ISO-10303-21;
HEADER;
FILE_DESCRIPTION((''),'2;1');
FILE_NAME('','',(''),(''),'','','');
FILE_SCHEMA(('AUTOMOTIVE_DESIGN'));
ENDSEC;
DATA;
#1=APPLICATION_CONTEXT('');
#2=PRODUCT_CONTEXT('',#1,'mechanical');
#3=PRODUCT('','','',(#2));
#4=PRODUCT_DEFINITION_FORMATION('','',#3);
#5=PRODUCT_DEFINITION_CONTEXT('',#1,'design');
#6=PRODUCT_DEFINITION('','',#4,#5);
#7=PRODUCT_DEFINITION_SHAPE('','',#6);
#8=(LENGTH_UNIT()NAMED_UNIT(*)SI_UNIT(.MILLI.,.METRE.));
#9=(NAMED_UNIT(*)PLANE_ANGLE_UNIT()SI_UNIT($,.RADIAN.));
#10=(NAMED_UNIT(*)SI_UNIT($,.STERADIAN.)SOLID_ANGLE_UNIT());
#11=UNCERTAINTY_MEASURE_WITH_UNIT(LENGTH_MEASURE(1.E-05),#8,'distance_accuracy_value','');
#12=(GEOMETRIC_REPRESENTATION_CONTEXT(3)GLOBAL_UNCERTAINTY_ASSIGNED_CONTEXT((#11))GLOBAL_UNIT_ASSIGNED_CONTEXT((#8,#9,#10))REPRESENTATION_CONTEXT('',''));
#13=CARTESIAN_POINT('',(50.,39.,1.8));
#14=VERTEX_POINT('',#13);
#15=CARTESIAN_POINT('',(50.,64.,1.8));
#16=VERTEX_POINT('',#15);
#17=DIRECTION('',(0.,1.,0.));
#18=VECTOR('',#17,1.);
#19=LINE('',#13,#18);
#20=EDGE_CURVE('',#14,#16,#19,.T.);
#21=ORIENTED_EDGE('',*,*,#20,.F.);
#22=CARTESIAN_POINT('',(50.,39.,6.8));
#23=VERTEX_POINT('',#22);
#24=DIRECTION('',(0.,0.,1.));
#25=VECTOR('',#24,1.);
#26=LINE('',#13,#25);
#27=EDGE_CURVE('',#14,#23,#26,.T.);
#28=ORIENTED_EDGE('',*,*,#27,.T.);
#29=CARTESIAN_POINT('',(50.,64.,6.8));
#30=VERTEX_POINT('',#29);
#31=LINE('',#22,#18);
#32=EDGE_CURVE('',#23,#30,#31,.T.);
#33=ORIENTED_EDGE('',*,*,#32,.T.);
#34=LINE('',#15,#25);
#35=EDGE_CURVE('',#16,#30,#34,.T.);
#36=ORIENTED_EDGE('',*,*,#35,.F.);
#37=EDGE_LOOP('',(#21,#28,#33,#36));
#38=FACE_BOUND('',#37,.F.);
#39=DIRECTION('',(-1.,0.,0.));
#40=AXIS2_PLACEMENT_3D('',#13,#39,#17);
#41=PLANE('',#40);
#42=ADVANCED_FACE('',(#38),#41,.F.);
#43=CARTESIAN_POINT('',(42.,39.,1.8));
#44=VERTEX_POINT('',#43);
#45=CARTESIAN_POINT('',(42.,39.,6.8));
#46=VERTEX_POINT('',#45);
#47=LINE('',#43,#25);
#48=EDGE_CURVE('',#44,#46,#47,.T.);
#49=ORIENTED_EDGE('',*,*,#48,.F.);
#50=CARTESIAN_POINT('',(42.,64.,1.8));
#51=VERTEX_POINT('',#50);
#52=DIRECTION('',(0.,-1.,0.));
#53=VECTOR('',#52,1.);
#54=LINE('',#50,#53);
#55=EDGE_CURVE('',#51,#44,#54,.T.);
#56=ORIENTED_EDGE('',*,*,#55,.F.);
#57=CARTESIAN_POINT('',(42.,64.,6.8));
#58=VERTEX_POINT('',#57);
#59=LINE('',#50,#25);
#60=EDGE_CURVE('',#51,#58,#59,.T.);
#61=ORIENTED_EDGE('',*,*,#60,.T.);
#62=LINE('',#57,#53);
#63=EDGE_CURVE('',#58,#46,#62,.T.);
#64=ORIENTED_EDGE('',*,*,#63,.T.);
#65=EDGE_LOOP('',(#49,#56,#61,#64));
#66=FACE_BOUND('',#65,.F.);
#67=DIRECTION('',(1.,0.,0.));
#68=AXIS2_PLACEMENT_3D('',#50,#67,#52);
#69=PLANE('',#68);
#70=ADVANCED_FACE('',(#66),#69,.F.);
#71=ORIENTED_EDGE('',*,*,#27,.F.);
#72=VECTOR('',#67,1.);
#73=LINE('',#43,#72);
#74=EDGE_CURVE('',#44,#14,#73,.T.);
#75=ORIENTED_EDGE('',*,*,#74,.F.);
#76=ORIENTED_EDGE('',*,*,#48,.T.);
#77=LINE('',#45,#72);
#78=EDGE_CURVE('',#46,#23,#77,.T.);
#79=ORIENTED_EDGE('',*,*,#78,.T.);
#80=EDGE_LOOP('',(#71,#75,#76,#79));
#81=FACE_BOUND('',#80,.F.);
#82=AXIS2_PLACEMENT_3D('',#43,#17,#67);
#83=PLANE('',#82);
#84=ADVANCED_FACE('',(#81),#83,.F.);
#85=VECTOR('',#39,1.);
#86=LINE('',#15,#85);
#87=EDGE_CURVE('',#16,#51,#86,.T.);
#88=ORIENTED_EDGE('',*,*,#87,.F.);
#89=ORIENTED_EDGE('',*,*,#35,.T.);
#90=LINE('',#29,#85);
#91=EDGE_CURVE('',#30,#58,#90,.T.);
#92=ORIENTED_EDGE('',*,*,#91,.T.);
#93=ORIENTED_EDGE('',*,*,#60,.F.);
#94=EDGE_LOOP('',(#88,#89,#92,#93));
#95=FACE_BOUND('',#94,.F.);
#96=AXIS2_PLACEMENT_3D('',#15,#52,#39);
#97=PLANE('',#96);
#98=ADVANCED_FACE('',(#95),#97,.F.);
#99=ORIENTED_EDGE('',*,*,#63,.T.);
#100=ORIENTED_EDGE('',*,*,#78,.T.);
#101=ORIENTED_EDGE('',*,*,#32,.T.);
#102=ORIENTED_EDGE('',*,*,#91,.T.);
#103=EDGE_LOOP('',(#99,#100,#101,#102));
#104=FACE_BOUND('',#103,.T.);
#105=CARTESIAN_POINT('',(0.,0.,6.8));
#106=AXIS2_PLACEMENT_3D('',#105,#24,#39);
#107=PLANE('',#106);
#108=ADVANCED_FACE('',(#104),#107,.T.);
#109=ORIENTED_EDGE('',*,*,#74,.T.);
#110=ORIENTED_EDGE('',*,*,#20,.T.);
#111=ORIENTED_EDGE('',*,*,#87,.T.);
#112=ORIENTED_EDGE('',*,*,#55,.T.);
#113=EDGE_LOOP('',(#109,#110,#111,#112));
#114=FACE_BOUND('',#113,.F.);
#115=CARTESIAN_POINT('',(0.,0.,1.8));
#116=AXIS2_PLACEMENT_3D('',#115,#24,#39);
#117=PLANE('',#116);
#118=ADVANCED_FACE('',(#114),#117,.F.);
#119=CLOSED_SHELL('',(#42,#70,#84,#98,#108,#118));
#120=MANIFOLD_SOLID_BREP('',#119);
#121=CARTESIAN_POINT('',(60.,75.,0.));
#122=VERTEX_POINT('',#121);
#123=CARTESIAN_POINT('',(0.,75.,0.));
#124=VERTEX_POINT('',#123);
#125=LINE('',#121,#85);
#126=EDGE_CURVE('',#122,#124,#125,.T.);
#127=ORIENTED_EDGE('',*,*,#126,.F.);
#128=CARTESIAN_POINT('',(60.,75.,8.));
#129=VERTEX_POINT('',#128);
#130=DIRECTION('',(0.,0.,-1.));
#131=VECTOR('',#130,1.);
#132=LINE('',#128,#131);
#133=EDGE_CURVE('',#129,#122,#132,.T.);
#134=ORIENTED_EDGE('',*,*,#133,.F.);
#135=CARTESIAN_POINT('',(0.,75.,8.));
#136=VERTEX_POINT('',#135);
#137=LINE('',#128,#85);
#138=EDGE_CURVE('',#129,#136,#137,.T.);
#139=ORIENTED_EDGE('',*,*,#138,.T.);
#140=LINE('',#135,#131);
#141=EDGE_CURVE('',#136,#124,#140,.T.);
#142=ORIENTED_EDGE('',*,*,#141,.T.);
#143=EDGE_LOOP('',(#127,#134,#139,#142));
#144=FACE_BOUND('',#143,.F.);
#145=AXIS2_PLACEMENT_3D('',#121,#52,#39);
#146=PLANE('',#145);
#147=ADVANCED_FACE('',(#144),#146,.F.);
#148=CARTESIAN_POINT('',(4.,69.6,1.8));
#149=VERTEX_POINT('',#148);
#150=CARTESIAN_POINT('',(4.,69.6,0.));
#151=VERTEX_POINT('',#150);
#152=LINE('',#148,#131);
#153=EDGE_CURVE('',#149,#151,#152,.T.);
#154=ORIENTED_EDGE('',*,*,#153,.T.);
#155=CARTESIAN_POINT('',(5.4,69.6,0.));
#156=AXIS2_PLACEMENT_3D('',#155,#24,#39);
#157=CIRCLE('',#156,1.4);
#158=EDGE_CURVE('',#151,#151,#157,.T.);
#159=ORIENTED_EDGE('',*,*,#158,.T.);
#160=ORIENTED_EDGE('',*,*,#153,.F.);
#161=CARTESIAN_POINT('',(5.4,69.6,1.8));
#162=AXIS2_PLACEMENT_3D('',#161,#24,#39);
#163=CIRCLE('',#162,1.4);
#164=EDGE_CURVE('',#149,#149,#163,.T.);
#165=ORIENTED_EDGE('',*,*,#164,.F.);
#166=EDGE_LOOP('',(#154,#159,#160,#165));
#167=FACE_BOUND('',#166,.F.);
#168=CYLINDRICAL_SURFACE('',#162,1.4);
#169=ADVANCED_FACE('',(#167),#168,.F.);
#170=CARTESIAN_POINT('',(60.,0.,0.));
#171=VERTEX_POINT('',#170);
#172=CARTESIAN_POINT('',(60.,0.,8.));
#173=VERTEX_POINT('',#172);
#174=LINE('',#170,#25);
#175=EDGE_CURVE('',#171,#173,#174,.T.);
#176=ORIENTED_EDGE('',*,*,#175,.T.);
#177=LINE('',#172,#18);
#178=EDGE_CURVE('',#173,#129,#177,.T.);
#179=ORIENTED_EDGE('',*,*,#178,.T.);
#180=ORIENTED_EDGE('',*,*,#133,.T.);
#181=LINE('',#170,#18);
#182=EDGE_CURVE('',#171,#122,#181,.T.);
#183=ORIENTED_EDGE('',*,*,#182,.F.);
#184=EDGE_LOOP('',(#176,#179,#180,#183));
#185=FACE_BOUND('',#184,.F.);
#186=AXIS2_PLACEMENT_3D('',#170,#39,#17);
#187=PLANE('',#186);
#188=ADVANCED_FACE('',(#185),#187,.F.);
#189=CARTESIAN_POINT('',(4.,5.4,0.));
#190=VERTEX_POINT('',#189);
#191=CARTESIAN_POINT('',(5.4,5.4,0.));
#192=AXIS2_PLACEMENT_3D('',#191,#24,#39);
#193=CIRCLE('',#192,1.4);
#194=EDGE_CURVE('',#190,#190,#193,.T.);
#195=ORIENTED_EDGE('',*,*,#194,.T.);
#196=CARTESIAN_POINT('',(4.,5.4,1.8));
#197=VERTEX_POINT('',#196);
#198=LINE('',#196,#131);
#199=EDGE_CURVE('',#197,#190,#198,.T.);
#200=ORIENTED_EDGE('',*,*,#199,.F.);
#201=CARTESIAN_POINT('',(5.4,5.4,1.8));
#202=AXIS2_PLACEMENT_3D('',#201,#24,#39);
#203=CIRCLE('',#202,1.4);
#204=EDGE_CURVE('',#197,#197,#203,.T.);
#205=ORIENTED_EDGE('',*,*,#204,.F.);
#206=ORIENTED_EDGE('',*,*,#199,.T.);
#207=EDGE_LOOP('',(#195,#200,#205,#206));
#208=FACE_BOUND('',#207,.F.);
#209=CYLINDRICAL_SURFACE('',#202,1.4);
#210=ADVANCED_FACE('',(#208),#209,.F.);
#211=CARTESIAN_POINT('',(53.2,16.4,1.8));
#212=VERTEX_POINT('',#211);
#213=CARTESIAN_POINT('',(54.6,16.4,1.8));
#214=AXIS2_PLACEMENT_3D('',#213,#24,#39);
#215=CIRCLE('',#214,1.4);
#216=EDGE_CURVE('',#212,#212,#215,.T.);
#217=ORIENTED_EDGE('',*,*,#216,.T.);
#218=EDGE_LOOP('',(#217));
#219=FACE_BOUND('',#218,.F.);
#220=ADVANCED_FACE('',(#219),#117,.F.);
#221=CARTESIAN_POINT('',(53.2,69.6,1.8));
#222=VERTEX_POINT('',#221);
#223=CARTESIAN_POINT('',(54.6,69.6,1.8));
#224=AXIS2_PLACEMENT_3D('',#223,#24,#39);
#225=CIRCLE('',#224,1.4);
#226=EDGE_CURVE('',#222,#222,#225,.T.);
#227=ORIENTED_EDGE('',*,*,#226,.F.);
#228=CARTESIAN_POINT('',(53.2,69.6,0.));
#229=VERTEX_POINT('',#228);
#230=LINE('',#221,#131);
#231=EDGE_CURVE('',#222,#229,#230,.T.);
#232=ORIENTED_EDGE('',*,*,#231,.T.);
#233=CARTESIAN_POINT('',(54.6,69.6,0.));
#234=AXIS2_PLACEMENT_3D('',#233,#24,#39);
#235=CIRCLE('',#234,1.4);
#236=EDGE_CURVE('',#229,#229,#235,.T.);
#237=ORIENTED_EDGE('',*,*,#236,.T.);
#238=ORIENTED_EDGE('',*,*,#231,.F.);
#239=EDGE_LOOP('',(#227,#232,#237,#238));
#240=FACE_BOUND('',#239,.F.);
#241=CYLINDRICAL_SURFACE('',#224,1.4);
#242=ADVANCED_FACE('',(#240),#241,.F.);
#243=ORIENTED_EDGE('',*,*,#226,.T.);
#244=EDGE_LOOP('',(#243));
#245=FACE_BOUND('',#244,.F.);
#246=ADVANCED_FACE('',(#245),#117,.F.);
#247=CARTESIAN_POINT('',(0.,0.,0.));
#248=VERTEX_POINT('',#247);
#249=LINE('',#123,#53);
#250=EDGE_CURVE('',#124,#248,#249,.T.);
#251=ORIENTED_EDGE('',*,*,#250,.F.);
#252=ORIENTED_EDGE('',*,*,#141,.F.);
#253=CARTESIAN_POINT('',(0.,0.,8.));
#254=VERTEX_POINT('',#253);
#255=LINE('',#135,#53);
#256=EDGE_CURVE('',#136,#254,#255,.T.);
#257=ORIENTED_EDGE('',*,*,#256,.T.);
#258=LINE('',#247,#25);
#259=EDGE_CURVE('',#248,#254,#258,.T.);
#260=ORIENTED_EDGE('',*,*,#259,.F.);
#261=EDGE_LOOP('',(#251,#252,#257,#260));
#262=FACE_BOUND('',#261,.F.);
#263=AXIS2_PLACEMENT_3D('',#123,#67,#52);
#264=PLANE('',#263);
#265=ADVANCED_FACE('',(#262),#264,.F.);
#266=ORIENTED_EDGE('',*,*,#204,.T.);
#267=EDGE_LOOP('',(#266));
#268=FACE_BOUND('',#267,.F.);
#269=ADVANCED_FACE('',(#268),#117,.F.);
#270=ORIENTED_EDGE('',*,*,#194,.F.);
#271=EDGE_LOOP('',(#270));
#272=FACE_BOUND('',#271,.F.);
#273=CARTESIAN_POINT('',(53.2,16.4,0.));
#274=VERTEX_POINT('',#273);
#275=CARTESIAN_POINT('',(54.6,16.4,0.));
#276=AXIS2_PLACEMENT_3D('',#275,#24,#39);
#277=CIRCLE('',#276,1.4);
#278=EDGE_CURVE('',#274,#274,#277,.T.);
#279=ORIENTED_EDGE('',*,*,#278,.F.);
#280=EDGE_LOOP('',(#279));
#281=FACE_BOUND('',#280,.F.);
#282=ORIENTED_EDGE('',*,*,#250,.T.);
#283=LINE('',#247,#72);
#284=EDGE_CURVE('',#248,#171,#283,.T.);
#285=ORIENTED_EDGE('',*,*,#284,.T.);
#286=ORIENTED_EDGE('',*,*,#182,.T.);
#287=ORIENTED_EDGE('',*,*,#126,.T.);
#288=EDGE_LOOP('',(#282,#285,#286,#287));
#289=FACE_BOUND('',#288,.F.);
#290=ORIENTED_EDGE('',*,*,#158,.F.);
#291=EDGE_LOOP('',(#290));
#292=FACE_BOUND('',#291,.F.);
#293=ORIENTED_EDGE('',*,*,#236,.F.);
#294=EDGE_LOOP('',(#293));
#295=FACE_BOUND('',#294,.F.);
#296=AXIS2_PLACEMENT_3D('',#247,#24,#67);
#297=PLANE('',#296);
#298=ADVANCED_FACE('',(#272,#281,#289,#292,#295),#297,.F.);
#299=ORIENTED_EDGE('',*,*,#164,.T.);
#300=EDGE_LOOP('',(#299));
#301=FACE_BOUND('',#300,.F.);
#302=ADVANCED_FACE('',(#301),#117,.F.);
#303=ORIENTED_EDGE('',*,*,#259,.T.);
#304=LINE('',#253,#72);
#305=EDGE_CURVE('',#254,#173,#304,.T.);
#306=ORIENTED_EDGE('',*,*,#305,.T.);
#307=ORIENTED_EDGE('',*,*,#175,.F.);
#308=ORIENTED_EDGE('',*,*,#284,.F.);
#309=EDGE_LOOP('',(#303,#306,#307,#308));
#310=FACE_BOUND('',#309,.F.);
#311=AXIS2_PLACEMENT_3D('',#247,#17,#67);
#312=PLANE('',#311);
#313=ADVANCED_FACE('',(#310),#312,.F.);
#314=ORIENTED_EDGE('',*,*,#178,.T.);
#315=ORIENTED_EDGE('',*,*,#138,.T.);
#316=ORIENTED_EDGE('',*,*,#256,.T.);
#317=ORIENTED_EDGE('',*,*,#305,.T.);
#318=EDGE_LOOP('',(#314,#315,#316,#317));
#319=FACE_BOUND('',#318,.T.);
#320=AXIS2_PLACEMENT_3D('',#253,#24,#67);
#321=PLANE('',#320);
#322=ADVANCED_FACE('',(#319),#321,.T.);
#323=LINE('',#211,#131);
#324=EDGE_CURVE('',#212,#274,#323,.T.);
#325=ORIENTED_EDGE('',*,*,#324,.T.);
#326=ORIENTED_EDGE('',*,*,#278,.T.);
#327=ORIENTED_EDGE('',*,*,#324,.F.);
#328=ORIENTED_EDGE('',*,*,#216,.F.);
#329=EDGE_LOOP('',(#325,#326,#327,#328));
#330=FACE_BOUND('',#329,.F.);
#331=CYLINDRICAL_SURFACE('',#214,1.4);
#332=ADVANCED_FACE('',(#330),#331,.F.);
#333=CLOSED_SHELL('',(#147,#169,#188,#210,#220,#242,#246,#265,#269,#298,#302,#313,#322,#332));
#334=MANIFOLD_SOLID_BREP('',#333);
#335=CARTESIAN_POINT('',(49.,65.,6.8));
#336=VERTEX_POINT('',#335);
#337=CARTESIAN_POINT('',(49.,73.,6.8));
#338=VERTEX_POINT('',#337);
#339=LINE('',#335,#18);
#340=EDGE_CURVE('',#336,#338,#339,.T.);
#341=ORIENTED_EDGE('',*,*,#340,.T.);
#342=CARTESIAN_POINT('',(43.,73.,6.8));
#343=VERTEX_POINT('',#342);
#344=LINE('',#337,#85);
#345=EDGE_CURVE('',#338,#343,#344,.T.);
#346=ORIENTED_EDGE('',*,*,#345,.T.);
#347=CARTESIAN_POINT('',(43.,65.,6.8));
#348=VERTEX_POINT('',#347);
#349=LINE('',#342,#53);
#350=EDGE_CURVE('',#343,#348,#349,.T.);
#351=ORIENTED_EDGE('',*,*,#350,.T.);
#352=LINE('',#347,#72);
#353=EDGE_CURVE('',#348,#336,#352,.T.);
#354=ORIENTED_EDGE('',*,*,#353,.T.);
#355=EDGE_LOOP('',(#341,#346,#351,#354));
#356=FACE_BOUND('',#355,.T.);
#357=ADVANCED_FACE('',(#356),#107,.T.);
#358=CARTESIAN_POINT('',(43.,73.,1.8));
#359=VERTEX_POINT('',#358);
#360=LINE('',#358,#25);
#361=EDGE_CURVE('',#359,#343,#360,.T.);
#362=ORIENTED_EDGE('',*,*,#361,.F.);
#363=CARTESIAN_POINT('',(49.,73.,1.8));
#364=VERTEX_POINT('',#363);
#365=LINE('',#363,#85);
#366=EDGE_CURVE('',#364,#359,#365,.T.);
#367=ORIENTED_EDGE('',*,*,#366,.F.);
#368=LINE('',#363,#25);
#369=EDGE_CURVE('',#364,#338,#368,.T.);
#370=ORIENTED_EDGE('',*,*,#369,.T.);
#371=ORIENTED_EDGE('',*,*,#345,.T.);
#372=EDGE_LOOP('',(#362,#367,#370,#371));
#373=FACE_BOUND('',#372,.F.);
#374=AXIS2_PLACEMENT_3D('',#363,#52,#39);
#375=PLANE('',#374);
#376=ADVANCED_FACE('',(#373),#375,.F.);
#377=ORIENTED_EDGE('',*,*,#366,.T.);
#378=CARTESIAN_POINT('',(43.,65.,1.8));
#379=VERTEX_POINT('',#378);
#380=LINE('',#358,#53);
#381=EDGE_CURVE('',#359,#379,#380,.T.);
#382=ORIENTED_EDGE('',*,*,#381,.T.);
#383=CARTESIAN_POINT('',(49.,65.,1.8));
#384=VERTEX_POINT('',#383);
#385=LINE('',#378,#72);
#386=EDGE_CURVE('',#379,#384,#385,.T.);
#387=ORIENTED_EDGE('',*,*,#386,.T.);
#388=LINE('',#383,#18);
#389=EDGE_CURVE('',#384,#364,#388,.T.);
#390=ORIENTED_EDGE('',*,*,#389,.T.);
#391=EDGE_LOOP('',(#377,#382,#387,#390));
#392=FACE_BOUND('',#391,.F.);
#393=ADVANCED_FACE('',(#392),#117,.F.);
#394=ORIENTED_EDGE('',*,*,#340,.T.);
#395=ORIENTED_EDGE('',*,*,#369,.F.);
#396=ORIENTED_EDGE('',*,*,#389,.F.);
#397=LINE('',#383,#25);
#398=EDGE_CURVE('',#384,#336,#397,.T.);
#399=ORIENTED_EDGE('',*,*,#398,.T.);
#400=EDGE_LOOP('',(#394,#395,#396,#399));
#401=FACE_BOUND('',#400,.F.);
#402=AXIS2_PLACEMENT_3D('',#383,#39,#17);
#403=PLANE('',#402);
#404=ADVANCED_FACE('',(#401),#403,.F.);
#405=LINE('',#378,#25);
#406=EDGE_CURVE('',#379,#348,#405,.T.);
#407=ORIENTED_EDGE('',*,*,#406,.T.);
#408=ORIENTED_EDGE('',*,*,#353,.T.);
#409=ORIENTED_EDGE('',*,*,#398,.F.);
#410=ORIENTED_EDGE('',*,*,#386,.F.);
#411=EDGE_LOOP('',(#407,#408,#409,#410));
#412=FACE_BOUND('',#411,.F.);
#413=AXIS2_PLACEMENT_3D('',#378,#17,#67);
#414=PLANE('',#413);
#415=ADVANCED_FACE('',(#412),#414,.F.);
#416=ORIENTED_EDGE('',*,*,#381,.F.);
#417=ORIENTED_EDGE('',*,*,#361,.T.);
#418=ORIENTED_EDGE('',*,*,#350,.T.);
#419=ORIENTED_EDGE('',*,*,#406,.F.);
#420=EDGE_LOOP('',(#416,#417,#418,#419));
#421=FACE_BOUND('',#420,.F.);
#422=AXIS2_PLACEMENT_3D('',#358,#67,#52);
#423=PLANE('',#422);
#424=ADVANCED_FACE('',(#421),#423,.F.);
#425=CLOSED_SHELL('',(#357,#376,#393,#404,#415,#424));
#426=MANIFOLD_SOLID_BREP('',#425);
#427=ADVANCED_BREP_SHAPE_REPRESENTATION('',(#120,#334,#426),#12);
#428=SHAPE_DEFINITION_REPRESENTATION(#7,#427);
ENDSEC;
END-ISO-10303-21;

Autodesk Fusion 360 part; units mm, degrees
sketch "Sketch1" plane through (0, 0, 0) normal (0, 0, 1) x (1, 0, 0)
  circle A0 centre (10, 10) radius 2.5
  circle A1 centre (10, 10) radius 1.4
  dimension "d1" = 5
  dimension "d2" = 2.8
extrude "Extrude1" add sketch "Sketch1" along normal blind 8

Autodesk Fusion 360 part; units mm, degrees
sketch "Sketch1" plane through (0, 0, 0) normal (0, 0, 1) x (1, 0, 0)
  line L0 (0, 0) -> (60, 0)
  line L1 (60, 0) -> (60, 75)
  line L2 (60, 75) -> (0, 75)
  line L3 (0, 75) -> (0, 0)
  dimension "d1" = 60
  dimension "d2" = 75
extrude "Extrude1" add sketch "Sketch1" along normal blind 1.8
sketch "Sketch2" plane through (0, 75, 0) normal (0, 1, 0) x (-1, 0, 0)
  line L0 (-60, 0) -> (0, 0)
  line L1 (0, 0) -> (0, 1.8)
  line L2 (0, 1.8) -> (-60, 1.8)
  line L3 (-60, 1.8) -> (-60, 0)
sketch "Sketch3" plane through (0, 0, 1.8) normal (0, 0, 1) x (-1, 0, 0)
  line L0 (0, -75) -> (0, 0)
  line L1 (0, 0) -> (-60, 0)
  line L2 (-60, 0) -> (-60, -75)
  line L3 (-60, -75) -> (0, -75)
  line L4 (-56, 0) -> (-46, 0)
  line L5 (-46, 0) -> (-46, -11)
  line L6 (-46, -11) -> (-56, -11)
  line L7 (-56, -11) -> (-56, 0)
  dimension "d19" = 10
  dimension "d20" = 11
  dimension "d21" = 4
extrude "Extrude2" add sketch "Sketch3" along normal blind 2.6 contours L1 L4 L5 L6 L7
sketch "Sketch4" plane through (0, 0, 1.8) normal (0, 0, 1) x (-1, 0, 0)
  line L0 (-56, 0) -> (-60, 0)
  line L1 (-60, 0) -> (-60, -75)
  line L2 (-60, -75) -> (0, -75)
  line L3 (0, -75) -> (0, 0)
  line L4 (0, 0) -> (-46, 0)
  circle A0 centre (-5.4, -69.6) radius 1.4
  line L5 (0, -75) -> (-60, -75)
  circle A1 centre (-54.6, -69.6) radius 1.4
  circle A2 centre (-54.6, -16.4) radius 1.4
  circle A3 centre (-5.4, -5.4) radius 1.4
  line L6 (-46, 0) -> (-46, -11)
  line L7 (-46, -11) -> (-56, -11)
  line L8 (-56, -11) -> (-56, 0)
  line L9 (-46, 0) -> (-56, 0)
  dimension "d7" = 2.8
  dimension "d8" = 5.4
  dimension "d9" = 5.4
  dimension "d10" = 2.8
  dimension "d11" = 2.8
  dimension "d12" = 2.8
  dimension "d13" = 5.4
  dimension "d14" = 5.4
  dimension "d31" = 5.4
  dimension "d32" = 5.4
  dimension "d33" = 5.4
  dimension "d34" = 16.4
extrude "Extrude3" cut sketch "Sketch4" against normal blind 3 contours A0 | A1 | A2 | A3
sketch "Sketch5" plane through (0, 0, 1.8) normal (0, 0, 1) x (-1, 0, 0)
  circle A0 centre (-54.6, -16.4) radius 1.4
  circle A1 centre (-5.4, -5.4) radius 1.4
  circle A2 centre (-54.6, -69.6) radius 1.4
  circle A3 centre (-5.4, -69.6) radius 1.4
  line L0 (-56, 0) -> (-60, 0)
  line L1 (-60, 0) -> (-60, -75)
  line L2 (-60, -75) -> (0, -75)
  line L3 (0, -75) -> (0, 0)
  line L4 (0, 0) -> (-46, 0)
  line L5 (-46, 0) -> (-46, -11)
  line L6 (-46, -11) -> (-56, -11)
  line L7 (-56, -11) -> (-56, 0)
  line L8 (-49, -73) -> (-43, -73)
  line L9 (-43, -73) -> (-43, -65)
  line L10 (-43, -65) -> (-49, -65)
  line L11 (-49, -65) -> (-49, -73)
  line L12 (-50, -64) -> (-42, -64)
  line L13 (-42, -64) -> (-42, -39)
  line L14 (-42, -39) -> (-50, -39)
  line L15 (-50, -39) -> (-50, -64)
  dimension "d22" = 6
  dimension "d23" = 8
  dimension "d24" = 11
  dimension "d25" = 8
  dimension "d26" = 25
  dimension "d27" = 10
  dimension "d28" = 11
extrude "Extrude5" add sketch "Sketch5" along normal blind 5 contours L8 L9 L10 L11 | L12 L13 L14 L15
